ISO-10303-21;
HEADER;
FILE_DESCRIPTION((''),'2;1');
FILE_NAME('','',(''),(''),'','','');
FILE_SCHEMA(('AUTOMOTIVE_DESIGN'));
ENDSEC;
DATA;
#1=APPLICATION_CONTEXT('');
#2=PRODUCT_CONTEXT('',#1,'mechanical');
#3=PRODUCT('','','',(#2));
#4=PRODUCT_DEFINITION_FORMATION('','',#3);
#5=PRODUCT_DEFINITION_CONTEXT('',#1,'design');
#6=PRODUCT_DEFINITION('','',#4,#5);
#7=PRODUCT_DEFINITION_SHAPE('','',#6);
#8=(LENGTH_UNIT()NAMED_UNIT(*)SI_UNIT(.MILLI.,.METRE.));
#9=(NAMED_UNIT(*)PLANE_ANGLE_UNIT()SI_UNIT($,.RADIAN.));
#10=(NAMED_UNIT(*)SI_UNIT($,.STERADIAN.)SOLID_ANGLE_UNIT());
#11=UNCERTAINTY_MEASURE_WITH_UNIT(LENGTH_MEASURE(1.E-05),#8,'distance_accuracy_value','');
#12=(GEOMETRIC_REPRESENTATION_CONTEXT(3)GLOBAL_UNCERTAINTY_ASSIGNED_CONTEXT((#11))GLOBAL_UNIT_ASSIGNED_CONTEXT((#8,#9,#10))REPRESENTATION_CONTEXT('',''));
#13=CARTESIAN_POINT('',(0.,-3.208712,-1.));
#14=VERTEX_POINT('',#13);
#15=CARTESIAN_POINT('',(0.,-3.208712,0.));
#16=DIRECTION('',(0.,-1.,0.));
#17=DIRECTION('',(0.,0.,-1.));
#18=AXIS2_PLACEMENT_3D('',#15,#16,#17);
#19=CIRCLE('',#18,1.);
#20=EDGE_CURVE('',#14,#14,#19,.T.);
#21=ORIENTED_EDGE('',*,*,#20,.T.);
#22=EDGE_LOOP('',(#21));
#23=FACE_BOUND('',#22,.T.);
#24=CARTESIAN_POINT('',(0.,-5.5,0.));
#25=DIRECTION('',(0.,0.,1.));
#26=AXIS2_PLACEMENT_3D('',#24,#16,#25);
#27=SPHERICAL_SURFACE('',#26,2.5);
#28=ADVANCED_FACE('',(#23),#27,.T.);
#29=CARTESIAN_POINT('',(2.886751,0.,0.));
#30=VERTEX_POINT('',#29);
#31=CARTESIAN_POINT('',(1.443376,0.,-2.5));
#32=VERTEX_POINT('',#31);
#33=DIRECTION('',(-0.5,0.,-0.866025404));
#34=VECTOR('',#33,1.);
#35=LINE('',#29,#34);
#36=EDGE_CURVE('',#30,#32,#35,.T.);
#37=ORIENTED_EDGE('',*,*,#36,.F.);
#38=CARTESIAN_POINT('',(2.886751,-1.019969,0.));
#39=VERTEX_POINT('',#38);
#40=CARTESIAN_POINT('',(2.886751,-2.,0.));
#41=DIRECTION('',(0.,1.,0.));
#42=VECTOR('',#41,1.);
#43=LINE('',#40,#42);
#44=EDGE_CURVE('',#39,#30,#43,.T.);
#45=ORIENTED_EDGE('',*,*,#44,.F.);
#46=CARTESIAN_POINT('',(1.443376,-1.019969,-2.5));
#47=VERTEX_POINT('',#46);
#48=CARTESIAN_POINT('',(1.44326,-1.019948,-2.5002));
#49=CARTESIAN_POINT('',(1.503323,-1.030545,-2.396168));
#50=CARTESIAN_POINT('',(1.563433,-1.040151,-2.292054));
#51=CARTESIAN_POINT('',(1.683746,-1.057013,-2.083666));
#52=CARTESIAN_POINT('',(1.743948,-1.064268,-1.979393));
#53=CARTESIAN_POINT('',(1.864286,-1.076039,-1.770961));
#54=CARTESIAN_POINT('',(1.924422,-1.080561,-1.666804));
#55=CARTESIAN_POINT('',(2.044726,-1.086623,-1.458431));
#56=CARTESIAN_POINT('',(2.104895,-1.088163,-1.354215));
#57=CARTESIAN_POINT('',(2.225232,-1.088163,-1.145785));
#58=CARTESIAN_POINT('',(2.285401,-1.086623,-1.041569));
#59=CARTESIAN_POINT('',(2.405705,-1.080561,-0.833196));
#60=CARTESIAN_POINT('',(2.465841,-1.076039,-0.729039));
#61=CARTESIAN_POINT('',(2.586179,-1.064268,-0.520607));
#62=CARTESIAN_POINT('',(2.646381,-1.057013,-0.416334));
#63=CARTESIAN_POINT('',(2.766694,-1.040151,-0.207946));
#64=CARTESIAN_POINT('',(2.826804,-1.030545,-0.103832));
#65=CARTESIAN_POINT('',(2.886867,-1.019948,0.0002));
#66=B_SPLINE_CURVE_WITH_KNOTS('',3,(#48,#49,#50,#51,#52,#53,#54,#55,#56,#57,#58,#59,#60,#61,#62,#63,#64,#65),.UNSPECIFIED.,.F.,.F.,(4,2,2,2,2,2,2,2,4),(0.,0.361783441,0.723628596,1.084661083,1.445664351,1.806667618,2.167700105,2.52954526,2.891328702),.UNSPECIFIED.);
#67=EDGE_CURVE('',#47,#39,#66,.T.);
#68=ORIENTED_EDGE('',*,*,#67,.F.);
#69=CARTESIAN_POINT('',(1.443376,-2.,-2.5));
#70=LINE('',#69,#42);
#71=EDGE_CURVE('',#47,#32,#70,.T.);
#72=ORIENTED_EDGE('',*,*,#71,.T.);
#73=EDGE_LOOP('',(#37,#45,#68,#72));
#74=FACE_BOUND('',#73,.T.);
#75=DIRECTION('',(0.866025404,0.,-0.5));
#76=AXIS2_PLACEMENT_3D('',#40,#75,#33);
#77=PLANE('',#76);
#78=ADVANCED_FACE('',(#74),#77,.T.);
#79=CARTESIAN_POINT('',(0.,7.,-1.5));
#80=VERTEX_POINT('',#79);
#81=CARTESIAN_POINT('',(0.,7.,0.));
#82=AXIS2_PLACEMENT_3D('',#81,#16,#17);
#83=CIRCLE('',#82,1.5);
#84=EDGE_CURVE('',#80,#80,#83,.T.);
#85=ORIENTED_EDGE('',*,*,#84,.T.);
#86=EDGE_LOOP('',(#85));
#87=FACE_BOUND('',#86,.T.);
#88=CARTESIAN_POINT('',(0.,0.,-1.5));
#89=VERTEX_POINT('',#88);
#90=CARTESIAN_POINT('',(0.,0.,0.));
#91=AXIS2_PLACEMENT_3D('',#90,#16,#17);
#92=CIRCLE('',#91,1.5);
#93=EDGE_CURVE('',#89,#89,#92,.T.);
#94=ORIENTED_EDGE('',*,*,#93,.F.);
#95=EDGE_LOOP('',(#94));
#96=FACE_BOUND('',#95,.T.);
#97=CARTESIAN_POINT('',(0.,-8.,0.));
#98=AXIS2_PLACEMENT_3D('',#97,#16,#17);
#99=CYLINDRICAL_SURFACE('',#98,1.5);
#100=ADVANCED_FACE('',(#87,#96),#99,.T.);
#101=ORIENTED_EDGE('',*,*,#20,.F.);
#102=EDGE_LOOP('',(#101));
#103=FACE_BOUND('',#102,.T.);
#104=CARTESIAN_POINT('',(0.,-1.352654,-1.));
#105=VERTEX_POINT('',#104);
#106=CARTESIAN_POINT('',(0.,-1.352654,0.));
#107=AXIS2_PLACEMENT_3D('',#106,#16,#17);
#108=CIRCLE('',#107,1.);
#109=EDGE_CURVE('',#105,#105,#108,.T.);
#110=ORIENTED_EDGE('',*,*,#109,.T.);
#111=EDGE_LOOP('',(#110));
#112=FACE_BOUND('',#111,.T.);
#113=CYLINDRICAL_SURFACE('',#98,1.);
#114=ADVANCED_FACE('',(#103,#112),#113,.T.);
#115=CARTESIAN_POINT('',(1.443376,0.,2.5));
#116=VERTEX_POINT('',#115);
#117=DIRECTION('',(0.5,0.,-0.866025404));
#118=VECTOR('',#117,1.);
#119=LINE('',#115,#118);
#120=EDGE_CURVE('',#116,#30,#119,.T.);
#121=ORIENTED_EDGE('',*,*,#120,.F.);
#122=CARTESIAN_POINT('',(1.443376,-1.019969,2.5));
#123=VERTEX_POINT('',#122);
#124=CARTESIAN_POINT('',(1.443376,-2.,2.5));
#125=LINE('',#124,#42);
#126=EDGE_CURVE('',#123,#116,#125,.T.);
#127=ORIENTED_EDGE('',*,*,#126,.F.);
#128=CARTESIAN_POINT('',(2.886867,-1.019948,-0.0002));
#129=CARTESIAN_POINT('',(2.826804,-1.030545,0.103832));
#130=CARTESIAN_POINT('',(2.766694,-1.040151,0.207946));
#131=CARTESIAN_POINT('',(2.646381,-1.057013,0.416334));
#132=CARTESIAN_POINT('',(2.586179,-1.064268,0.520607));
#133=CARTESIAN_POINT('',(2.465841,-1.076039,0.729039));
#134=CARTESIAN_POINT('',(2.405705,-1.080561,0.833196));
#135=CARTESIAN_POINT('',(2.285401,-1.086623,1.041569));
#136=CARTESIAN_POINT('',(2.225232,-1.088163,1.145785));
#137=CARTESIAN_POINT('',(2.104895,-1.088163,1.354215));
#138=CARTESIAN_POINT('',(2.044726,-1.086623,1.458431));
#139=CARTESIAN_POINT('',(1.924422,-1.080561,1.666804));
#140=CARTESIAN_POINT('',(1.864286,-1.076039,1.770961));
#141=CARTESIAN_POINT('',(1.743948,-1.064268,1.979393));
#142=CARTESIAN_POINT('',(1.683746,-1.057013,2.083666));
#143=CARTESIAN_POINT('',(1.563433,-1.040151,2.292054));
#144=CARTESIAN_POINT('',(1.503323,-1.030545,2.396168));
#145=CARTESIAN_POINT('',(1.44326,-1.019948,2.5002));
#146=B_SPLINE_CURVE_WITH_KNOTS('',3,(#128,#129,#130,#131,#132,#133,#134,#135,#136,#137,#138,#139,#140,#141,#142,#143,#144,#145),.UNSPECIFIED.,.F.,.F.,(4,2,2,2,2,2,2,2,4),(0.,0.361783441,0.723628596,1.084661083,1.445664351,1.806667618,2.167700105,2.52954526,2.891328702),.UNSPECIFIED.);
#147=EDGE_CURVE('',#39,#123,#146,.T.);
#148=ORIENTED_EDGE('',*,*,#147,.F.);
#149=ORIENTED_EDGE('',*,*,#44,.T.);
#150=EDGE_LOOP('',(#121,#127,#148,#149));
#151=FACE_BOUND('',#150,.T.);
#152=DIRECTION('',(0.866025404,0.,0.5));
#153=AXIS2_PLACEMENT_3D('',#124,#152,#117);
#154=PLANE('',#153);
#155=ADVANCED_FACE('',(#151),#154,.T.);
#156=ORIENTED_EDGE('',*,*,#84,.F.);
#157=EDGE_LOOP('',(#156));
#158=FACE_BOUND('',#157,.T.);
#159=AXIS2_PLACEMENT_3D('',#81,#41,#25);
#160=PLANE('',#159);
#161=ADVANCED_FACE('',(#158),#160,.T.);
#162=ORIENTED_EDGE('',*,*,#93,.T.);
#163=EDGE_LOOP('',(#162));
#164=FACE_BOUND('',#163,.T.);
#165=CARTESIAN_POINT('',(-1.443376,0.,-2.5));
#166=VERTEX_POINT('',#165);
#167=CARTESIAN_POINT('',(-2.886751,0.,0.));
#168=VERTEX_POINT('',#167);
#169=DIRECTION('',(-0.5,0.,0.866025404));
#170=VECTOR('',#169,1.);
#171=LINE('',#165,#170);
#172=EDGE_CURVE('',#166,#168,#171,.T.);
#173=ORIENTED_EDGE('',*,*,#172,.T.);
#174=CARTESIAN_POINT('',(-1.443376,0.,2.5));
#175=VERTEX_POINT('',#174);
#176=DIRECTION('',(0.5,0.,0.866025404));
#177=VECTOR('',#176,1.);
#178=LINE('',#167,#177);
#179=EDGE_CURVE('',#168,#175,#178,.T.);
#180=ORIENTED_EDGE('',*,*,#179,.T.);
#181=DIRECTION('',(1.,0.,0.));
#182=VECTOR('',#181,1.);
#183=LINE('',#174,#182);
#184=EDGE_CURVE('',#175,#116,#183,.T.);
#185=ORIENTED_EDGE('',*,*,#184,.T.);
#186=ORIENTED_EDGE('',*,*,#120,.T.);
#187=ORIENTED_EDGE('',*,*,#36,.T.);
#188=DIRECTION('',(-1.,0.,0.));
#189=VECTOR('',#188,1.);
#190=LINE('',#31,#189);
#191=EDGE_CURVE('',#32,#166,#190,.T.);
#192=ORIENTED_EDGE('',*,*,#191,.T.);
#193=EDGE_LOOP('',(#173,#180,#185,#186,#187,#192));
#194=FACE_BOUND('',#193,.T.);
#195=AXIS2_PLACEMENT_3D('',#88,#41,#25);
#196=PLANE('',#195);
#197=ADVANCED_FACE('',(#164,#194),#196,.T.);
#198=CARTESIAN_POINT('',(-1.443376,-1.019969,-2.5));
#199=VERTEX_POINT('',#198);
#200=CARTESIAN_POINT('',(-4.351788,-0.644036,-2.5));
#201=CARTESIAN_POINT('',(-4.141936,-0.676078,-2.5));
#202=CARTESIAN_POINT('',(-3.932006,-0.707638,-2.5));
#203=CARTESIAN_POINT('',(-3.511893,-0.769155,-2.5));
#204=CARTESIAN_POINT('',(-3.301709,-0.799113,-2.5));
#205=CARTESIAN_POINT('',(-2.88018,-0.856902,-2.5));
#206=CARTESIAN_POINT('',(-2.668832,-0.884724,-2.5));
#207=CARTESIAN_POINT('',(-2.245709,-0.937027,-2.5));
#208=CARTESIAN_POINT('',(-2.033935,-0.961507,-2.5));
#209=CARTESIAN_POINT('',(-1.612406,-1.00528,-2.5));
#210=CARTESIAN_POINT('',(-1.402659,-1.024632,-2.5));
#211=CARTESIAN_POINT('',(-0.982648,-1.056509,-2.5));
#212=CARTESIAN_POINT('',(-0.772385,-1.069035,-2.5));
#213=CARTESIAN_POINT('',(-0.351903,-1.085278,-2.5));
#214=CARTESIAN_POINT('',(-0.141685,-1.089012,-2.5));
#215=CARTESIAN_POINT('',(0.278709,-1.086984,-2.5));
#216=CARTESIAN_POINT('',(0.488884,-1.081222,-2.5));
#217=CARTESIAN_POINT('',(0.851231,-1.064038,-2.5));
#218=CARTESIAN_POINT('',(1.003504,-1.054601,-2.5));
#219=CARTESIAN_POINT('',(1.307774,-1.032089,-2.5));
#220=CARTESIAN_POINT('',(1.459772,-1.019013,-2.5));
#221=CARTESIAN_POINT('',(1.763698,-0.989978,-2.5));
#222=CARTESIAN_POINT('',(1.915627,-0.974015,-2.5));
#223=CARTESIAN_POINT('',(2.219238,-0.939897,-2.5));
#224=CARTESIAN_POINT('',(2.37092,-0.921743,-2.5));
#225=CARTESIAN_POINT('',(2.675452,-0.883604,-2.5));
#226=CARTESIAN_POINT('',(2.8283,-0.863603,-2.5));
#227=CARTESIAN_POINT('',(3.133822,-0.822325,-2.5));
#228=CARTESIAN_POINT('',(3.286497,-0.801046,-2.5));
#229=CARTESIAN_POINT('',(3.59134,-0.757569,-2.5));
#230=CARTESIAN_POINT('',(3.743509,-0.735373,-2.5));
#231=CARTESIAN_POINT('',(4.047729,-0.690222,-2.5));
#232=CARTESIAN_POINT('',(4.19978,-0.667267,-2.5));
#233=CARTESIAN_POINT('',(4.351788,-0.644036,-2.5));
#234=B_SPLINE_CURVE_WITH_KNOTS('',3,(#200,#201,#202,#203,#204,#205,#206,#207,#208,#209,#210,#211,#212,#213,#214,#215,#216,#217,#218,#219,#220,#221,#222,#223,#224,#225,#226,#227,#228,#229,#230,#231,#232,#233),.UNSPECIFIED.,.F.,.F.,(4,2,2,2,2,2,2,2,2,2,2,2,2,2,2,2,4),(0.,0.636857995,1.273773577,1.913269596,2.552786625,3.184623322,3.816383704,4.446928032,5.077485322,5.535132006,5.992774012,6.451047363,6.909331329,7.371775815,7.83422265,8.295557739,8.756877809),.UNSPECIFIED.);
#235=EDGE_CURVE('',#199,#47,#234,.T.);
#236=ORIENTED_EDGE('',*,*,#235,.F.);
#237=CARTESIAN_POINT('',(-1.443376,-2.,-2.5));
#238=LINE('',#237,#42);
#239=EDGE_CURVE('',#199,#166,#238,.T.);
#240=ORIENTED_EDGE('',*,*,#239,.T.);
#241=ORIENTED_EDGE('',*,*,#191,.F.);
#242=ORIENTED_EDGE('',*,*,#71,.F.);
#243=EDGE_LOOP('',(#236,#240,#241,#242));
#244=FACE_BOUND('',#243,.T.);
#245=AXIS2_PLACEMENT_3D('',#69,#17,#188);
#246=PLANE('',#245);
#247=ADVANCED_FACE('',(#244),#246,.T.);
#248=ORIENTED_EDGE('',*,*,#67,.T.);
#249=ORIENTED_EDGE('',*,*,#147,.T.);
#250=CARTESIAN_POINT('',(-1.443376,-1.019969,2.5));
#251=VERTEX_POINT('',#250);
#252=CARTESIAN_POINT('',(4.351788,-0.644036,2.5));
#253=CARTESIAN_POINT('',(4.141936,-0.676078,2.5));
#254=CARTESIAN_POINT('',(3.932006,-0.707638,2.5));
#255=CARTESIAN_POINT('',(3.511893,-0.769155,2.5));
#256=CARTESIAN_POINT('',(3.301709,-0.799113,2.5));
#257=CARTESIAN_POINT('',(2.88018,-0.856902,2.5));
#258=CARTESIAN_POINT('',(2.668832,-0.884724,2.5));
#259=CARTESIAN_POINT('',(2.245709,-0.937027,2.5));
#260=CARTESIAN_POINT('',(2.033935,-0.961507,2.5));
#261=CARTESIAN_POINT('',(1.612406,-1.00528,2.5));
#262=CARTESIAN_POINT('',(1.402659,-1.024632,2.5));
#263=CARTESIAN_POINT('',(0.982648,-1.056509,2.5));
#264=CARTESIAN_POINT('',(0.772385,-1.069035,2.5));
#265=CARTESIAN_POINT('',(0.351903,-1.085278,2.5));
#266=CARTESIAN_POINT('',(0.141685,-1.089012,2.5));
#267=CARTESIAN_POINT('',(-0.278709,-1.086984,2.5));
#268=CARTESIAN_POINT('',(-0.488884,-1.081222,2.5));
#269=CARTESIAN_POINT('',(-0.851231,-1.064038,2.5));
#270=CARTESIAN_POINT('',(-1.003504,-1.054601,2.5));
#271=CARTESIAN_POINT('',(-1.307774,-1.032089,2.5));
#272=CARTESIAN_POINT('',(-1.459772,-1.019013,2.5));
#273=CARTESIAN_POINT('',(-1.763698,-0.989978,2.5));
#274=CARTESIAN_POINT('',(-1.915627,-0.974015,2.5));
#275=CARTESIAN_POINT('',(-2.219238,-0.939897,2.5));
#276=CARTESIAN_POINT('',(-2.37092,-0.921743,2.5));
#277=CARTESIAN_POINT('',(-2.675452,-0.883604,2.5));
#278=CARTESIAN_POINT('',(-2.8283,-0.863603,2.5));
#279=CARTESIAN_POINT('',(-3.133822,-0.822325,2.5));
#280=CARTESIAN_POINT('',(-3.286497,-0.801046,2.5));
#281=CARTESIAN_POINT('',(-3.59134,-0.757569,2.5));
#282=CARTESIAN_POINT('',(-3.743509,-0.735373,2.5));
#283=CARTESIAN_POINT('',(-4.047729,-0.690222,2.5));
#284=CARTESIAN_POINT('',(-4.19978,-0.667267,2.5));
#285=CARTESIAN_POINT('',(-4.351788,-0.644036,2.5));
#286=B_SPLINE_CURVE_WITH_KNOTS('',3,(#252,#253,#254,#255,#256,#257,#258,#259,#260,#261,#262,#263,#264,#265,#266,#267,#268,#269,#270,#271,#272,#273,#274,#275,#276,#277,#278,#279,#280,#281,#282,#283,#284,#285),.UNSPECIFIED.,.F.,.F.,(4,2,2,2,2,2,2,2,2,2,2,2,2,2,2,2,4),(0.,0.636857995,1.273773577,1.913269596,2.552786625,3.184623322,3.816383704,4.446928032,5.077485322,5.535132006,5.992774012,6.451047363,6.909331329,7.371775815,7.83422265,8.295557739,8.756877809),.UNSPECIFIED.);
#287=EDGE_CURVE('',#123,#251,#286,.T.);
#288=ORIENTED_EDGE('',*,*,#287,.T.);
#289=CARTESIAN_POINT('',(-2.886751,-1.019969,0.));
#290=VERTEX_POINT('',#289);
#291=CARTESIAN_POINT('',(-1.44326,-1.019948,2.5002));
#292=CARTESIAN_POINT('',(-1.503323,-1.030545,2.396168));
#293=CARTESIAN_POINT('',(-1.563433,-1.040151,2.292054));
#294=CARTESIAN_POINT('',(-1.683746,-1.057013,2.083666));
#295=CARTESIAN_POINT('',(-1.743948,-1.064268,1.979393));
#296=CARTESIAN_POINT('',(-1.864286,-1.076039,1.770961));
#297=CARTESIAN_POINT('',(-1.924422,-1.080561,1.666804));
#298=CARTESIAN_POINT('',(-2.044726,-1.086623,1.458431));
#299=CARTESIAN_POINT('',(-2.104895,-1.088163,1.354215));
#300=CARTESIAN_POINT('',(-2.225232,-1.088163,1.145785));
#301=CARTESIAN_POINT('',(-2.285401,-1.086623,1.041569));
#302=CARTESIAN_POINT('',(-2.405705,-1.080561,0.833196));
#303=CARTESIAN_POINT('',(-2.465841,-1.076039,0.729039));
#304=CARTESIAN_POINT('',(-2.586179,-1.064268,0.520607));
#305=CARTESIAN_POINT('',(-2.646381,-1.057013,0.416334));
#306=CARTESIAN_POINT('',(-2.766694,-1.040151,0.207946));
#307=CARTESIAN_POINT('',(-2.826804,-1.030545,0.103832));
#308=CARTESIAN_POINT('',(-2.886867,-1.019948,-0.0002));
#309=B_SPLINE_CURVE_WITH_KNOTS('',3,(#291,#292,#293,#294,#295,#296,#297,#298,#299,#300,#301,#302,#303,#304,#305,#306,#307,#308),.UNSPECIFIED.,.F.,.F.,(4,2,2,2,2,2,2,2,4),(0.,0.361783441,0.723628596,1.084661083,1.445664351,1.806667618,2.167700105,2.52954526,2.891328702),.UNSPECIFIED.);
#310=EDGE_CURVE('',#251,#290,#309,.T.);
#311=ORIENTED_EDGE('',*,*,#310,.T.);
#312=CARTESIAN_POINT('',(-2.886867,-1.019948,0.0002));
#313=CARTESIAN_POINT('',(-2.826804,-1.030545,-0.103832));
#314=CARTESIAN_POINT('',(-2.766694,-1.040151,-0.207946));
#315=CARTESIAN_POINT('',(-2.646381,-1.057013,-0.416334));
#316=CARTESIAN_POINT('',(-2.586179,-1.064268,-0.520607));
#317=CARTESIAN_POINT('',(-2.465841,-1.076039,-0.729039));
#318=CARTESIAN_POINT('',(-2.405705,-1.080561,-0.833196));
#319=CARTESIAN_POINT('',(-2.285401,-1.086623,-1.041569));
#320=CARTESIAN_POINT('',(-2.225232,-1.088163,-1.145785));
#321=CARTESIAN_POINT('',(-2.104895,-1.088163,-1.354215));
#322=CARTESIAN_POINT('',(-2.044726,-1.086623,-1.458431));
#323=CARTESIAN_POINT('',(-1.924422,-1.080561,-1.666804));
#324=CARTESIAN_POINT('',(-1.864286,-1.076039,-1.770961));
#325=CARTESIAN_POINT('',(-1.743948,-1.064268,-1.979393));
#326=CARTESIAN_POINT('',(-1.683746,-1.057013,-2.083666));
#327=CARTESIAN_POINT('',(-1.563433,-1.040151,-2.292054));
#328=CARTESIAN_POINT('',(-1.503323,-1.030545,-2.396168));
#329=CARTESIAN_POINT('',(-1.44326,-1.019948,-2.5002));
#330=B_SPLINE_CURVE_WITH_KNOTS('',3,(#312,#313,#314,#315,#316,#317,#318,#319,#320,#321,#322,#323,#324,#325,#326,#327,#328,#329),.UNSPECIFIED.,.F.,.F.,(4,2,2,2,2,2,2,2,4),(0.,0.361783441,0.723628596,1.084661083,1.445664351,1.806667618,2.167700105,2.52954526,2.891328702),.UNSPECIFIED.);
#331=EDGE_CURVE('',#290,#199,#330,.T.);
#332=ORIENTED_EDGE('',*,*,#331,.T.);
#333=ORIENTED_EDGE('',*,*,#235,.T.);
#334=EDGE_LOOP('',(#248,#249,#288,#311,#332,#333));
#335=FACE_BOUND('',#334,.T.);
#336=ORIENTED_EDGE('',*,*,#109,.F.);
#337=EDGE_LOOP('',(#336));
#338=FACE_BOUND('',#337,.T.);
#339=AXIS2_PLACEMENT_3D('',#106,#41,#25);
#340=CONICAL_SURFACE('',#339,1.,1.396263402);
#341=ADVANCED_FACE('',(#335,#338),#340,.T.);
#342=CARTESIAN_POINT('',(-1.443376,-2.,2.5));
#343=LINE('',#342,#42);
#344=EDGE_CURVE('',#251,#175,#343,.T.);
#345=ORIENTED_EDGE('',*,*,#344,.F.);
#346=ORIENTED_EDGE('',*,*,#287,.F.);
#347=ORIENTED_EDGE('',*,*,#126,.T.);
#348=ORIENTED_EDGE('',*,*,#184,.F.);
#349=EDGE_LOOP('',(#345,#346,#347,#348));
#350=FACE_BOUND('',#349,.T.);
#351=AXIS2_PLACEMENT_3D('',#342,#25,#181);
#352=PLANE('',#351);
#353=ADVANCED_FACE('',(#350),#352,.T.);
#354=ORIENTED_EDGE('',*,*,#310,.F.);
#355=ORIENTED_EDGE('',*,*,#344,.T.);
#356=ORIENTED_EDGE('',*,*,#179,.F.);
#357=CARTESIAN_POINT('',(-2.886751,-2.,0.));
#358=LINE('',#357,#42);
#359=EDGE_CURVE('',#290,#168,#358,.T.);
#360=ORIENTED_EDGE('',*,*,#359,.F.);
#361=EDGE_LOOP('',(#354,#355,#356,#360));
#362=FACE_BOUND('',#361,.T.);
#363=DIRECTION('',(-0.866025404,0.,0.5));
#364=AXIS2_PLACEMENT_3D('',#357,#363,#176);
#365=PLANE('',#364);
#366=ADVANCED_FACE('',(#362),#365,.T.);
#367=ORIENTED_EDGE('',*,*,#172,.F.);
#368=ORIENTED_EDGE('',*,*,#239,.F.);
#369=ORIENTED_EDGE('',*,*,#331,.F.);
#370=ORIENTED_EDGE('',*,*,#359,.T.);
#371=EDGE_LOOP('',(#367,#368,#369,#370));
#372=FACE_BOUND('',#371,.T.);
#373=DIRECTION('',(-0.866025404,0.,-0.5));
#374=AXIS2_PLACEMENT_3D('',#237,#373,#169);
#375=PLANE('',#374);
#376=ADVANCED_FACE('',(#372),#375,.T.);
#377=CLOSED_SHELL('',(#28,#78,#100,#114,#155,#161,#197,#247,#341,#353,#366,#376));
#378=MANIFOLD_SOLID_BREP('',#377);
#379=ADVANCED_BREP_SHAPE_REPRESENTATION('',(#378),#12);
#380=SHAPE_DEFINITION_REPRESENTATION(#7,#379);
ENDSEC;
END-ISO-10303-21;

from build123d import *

# Parameters (mm, degrees)
SKETCH2_OUTSIDE_W  = 11.446
SKETCH2_OUTSIDE_H  = 11.446
CUT_EXTRUDE1_DEPTH = 2


with BuildPart() as part:
    # Sketch1 → Revolve1 (revolve)
    with BuildSketch(Plane(origin=(0, 0, 0), x_dir=(0, 0, -1), z_dir=(1, 0, 0))):
        with BuildLine():
            Line((0, 7), (1.5, 7))
            Line((1.5, 7), (1.5, 0))
            Line((1.5, 0), (3, 0))
            Line((3, 0), (3, -1))
            Line((3, -1), (1, -1.352653961))
            Line((1, -1.352653961), (1, -3.208712153))
            ThreePointArc((1, -3.208712153), (2.447265782, -6.010774109), (0, -8))
            Line((0, -8), (0, 7))
        make_face()
    revolve(axis=Axis((0, -8, 0), (0, 1, 0)))

    # Sketch2 outside → Cut-Extrude1 (cut)
    with BuildSketch(Plane(origin=(0, 0, 0), x_dir=(1, 0, 0), z_dir=(0, 1, 0))):
        Rectangle(SKETCH2_OUTSIDE_W, SKETCH2_OUTSIDE_H)
        Polygon((1.443375673, 2.5), (-1.443375673, 2.5), (-2.886751346, 0), (-1.443375673, -2.5), (1.443375673, -2.5), (2.886751346, 0), align=None, mode=Mode.SUBTRACT)
    extrude(amount=-CUT_EXTRUDE1_DEPTH, mode=Mode.SUBTRACT)


solid = part.part
